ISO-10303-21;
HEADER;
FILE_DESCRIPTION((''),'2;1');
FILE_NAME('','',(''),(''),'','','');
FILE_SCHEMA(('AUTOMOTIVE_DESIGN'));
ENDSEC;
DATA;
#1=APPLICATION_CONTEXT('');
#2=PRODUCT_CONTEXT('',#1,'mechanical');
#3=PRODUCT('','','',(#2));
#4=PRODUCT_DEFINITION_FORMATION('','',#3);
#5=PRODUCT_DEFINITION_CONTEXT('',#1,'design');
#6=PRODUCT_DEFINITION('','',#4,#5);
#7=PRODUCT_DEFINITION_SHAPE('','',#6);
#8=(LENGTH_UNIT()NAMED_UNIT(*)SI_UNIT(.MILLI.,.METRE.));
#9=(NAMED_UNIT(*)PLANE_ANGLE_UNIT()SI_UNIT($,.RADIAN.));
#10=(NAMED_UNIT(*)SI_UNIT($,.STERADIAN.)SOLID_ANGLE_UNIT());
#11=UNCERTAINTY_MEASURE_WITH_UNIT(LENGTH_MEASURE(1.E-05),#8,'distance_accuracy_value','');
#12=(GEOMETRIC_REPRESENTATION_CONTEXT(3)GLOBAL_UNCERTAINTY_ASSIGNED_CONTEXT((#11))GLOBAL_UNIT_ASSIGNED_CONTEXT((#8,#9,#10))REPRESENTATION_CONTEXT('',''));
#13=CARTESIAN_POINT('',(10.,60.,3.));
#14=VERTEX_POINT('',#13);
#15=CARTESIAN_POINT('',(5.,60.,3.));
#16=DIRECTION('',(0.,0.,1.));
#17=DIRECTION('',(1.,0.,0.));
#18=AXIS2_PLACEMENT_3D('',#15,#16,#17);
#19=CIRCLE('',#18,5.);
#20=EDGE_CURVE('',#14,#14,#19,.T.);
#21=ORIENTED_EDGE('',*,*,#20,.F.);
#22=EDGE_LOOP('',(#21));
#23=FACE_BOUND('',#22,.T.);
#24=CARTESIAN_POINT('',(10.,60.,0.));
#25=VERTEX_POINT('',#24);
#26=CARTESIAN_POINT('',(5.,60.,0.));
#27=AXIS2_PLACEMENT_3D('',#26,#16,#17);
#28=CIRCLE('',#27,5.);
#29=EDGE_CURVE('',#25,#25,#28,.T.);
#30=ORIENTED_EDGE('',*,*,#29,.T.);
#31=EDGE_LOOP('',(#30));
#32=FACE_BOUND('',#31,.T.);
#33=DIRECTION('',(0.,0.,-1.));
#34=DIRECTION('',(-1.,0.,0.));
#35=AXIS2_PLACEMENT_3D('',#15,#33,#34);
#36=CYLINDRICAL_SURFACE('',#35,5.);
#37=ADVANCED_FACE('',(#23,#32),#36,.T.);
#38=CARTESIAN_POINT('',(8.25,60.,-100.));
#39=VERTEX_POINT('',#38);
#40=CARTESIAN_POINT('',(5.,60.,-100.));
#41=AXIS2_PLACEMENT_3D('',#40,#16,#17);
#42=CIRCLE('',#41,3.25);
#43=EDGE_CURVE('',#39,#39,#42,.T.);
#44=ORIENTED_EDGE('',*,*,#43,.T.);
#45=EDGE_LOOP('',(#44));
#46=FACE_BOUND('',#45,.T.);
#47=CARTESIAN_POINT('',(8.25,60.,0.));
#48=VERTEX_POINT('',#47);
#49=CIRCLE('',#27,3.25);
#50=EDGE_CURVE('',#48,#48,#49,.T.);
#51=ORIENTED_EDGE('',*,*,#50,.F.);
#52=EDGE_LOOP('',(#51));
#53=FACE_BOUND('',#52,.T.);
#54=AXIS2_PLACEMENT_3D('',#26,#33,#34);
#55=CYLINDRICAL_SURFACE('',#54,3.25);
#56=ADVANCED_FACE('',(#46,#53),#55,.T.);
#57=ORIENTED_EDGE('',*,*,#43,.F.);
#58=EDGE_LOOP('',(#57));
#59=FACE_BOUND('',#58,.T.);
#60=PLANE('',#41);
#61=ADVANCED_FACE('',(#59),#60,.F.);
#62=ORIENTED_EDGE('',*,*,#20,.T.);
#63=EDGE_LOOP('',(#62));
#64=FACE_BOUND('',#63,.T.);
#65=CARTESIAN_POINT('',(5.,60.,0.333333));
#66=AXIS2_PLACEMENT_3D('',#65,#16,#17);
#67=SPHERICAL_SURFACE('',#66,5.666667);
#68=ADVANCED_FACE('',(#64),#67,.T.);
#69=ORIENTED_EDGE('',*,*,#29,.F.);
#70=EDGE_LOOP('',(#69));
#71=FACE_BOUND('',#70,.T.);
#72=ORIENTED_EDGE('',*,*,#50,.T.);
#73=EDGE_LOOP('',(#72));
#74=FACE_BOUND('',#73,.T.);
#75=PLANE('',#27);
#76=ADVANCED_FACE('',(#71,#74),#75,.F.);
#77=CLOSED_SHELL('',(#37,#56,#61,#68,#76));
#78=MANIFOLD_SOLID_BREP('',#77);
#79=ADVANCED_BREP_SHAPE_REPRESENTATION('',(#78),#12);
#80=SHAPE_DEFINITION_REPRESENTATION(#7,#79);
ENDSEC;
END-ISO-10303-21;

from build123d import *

# Parameters (mm, degrees)
SKETCH1_R           = 3.25
SKETCH3_R           = 5
BOSS_EXTRUDE1_DEPTH = 3
DOME1_FACE_RADIUS   = 5
DOME1_HEIGHT        = 3


with BuildPart() as part:
    # Sweep1: sweep along a path in Sketch2
    with BuildLine(Plane(origin=(0, 0, 0), x_dir=(0, 0, -1), z_dir=(1, 0, 0))) as sweep1_path:
        Line((0, 0), (100, 0))
    # Sketch1 → Sweep1 (sweep)
    with BuildSketch(Plane.XY):
        with Locations((5, 60)):
            Circle(SKETCH1_R)
    sweep(path=sweep1_path.line)

    # Sketch3 → Boss-Extrude1 (add)
    with BuildSketch(Plane.XY):
        with Locations((5, 60)):
            Circle(SKETCH3_R)
    extrude(amount=BOSS_EXTRUDE1_DEPTH)

    # Dome1: a dome of height H over a round flat face of radius A is a cap of a sphere of radius (A * A + H * H) / (2 * H)
    dome1_r = (DOME1_FACE_RADIUS * DOME1_FACE_RADIUS + DOME1_HEIGHT * DOME1_HEIGHT) / (2 * DOME1_HEIGHT)
    dome1_base = Plane((5, 60, 3), z_dir=(0, 0, 1))
    with Locations(dome1_base.offset(DOME1_HEIGHT - dome1_r)):
        dome1_ball = Sphere(dome1_r, mode=Mode.PRIVATE)
    add(split(dome1_ball, bisect_by=dome1_base, keep=Keep.TOP, mode=Mode.PRIVATE))


solid = part.part
